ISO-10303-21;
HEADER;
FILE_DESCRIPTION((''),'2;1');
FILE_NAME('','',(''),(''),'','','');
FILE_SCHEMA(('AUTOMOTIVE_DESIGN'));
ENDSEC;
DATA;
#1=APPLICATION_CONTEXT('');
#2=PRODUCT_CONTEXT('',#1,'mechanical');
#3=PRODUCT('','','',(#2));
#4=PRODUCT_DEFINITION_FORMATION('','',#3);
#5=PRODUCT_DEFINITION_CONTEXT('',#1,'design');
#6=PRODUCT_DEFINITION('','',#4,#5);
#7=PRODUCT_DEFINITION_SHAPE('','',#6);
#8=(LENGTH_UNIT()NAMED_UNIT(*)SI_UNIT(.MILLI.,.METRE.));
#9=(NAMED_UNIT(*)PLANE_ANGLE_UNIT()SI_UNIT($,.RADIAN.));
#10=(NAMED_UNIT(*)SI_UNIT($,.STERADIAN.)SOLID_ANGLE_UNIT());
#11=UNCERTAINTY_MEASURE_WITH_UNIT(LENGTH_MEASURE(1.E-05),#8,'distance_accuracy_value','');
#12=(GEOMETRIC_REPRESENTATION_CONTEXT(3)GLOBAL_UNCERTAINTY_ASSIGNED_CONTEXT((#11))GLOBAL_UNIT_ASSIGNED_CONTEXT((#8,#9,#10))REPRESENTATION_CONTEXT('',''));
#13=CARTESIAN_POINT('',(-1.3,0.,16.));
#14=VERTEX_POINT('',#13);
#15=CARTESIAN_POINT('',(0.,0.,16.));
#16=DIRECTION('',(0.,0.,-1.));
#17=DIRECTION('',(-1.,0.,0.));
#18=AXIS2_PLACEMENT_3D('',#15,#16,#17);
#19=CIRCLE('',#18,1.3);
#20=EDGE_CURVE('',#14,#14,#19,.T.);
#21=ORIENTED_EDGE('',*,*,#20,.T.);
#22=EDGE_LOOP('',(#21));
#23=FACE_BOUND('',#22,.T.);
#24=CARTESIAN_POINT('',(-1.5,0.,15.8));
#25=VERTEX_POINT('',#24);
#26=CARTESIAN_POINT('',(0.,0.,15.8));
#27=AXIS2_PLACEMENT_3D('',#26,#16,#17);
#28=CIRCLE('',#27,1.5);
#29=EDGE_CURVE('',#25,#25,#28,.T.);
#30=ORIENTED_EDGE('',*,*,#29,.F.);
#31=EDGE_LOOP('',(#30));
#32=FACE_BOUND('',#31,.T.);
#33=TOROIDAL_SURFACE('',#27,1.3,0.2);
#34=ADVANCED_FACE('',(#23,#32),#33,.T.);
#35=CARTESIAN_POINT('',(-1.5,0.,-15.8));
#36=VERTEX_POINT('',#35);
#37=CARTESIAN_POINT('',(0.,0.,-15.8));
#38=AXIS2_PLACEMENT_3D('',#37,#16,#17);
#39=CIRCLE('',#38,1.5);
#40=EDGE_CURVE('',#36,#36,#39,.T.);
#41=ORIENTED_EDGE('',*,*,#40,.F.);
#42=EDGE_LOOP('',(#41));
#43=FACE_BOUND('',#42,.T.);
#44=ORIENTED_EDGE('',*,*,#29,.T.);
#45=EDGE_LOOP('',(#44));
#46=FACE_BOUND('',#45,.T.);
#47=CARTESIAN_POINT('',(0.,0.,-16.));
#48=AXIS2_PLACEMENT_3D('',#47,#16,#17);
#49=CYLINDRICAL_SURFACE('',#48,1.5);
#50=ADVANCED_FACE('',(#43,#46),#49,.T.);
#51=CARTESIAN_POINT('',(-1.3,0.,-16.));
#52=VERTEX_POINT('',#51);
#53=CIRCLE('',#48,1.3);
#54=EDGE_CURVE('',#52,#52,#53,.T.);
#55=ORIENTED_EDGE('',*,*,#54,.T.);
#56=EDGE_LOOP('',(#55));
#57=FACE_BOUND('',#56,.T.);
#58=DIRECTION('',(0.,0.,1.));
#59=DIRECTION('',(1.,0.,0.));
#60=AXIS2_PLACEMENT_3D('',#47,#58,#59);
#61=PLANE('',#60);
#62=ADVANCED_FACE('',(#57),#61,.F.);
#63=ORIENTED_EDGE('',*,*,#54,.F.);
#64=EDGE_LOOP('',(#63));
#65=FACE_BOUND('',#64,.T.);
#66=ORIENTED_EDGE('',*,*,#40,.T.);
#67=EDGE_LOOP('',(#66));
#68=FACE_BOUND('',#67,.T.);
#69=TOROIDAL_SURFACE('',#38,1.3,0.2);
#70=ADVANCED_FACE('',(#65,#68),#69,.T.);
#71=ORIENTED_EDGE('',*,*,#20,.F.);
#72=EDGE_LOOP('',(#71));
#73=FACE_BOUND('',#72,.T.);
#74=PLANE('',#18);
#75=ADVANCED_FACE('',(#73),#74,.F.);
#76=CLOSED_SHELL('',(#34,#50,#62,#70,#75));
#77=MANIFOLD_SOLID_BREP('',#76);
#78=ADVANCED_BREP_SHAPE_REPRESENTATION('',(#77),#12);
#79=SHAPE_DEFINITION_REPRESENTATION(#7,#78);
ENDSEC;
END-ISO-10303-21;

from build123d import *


with BuildPart() as part:
    # Sketch1 → Revolve1 (revolve)
    with BuildSketch(Plane(origin=(0, 0, 0), x_dir=(1, 0, 0), z_dir=(0, 1, 0)), mode=Mode.PRIVATE) as revolve1_sk:
        with BuildLine():
            Line((0, 16), (1.3, 16))
            ThreePointArc((1.3, 16), (1.441421356, 15.941421356), (1.5, 15.8))
            Line((1.5, 15.8), (1.5, -15.8))
            ThreePointArc((1.5, -15.8), (1.441421356, -15.941421356), (1.3, -16))
            Line((1.3, -16), (0, -16))
            Line((0, -16), (0, 16))
        make_face()
    revolve(revolve1_sk.sketch.rotate(Axis((0, 0, -16), (0, 0, 1)), 180), axis=Axis((0, 0, -16), (0, 0, 1)))


solid = part.part
